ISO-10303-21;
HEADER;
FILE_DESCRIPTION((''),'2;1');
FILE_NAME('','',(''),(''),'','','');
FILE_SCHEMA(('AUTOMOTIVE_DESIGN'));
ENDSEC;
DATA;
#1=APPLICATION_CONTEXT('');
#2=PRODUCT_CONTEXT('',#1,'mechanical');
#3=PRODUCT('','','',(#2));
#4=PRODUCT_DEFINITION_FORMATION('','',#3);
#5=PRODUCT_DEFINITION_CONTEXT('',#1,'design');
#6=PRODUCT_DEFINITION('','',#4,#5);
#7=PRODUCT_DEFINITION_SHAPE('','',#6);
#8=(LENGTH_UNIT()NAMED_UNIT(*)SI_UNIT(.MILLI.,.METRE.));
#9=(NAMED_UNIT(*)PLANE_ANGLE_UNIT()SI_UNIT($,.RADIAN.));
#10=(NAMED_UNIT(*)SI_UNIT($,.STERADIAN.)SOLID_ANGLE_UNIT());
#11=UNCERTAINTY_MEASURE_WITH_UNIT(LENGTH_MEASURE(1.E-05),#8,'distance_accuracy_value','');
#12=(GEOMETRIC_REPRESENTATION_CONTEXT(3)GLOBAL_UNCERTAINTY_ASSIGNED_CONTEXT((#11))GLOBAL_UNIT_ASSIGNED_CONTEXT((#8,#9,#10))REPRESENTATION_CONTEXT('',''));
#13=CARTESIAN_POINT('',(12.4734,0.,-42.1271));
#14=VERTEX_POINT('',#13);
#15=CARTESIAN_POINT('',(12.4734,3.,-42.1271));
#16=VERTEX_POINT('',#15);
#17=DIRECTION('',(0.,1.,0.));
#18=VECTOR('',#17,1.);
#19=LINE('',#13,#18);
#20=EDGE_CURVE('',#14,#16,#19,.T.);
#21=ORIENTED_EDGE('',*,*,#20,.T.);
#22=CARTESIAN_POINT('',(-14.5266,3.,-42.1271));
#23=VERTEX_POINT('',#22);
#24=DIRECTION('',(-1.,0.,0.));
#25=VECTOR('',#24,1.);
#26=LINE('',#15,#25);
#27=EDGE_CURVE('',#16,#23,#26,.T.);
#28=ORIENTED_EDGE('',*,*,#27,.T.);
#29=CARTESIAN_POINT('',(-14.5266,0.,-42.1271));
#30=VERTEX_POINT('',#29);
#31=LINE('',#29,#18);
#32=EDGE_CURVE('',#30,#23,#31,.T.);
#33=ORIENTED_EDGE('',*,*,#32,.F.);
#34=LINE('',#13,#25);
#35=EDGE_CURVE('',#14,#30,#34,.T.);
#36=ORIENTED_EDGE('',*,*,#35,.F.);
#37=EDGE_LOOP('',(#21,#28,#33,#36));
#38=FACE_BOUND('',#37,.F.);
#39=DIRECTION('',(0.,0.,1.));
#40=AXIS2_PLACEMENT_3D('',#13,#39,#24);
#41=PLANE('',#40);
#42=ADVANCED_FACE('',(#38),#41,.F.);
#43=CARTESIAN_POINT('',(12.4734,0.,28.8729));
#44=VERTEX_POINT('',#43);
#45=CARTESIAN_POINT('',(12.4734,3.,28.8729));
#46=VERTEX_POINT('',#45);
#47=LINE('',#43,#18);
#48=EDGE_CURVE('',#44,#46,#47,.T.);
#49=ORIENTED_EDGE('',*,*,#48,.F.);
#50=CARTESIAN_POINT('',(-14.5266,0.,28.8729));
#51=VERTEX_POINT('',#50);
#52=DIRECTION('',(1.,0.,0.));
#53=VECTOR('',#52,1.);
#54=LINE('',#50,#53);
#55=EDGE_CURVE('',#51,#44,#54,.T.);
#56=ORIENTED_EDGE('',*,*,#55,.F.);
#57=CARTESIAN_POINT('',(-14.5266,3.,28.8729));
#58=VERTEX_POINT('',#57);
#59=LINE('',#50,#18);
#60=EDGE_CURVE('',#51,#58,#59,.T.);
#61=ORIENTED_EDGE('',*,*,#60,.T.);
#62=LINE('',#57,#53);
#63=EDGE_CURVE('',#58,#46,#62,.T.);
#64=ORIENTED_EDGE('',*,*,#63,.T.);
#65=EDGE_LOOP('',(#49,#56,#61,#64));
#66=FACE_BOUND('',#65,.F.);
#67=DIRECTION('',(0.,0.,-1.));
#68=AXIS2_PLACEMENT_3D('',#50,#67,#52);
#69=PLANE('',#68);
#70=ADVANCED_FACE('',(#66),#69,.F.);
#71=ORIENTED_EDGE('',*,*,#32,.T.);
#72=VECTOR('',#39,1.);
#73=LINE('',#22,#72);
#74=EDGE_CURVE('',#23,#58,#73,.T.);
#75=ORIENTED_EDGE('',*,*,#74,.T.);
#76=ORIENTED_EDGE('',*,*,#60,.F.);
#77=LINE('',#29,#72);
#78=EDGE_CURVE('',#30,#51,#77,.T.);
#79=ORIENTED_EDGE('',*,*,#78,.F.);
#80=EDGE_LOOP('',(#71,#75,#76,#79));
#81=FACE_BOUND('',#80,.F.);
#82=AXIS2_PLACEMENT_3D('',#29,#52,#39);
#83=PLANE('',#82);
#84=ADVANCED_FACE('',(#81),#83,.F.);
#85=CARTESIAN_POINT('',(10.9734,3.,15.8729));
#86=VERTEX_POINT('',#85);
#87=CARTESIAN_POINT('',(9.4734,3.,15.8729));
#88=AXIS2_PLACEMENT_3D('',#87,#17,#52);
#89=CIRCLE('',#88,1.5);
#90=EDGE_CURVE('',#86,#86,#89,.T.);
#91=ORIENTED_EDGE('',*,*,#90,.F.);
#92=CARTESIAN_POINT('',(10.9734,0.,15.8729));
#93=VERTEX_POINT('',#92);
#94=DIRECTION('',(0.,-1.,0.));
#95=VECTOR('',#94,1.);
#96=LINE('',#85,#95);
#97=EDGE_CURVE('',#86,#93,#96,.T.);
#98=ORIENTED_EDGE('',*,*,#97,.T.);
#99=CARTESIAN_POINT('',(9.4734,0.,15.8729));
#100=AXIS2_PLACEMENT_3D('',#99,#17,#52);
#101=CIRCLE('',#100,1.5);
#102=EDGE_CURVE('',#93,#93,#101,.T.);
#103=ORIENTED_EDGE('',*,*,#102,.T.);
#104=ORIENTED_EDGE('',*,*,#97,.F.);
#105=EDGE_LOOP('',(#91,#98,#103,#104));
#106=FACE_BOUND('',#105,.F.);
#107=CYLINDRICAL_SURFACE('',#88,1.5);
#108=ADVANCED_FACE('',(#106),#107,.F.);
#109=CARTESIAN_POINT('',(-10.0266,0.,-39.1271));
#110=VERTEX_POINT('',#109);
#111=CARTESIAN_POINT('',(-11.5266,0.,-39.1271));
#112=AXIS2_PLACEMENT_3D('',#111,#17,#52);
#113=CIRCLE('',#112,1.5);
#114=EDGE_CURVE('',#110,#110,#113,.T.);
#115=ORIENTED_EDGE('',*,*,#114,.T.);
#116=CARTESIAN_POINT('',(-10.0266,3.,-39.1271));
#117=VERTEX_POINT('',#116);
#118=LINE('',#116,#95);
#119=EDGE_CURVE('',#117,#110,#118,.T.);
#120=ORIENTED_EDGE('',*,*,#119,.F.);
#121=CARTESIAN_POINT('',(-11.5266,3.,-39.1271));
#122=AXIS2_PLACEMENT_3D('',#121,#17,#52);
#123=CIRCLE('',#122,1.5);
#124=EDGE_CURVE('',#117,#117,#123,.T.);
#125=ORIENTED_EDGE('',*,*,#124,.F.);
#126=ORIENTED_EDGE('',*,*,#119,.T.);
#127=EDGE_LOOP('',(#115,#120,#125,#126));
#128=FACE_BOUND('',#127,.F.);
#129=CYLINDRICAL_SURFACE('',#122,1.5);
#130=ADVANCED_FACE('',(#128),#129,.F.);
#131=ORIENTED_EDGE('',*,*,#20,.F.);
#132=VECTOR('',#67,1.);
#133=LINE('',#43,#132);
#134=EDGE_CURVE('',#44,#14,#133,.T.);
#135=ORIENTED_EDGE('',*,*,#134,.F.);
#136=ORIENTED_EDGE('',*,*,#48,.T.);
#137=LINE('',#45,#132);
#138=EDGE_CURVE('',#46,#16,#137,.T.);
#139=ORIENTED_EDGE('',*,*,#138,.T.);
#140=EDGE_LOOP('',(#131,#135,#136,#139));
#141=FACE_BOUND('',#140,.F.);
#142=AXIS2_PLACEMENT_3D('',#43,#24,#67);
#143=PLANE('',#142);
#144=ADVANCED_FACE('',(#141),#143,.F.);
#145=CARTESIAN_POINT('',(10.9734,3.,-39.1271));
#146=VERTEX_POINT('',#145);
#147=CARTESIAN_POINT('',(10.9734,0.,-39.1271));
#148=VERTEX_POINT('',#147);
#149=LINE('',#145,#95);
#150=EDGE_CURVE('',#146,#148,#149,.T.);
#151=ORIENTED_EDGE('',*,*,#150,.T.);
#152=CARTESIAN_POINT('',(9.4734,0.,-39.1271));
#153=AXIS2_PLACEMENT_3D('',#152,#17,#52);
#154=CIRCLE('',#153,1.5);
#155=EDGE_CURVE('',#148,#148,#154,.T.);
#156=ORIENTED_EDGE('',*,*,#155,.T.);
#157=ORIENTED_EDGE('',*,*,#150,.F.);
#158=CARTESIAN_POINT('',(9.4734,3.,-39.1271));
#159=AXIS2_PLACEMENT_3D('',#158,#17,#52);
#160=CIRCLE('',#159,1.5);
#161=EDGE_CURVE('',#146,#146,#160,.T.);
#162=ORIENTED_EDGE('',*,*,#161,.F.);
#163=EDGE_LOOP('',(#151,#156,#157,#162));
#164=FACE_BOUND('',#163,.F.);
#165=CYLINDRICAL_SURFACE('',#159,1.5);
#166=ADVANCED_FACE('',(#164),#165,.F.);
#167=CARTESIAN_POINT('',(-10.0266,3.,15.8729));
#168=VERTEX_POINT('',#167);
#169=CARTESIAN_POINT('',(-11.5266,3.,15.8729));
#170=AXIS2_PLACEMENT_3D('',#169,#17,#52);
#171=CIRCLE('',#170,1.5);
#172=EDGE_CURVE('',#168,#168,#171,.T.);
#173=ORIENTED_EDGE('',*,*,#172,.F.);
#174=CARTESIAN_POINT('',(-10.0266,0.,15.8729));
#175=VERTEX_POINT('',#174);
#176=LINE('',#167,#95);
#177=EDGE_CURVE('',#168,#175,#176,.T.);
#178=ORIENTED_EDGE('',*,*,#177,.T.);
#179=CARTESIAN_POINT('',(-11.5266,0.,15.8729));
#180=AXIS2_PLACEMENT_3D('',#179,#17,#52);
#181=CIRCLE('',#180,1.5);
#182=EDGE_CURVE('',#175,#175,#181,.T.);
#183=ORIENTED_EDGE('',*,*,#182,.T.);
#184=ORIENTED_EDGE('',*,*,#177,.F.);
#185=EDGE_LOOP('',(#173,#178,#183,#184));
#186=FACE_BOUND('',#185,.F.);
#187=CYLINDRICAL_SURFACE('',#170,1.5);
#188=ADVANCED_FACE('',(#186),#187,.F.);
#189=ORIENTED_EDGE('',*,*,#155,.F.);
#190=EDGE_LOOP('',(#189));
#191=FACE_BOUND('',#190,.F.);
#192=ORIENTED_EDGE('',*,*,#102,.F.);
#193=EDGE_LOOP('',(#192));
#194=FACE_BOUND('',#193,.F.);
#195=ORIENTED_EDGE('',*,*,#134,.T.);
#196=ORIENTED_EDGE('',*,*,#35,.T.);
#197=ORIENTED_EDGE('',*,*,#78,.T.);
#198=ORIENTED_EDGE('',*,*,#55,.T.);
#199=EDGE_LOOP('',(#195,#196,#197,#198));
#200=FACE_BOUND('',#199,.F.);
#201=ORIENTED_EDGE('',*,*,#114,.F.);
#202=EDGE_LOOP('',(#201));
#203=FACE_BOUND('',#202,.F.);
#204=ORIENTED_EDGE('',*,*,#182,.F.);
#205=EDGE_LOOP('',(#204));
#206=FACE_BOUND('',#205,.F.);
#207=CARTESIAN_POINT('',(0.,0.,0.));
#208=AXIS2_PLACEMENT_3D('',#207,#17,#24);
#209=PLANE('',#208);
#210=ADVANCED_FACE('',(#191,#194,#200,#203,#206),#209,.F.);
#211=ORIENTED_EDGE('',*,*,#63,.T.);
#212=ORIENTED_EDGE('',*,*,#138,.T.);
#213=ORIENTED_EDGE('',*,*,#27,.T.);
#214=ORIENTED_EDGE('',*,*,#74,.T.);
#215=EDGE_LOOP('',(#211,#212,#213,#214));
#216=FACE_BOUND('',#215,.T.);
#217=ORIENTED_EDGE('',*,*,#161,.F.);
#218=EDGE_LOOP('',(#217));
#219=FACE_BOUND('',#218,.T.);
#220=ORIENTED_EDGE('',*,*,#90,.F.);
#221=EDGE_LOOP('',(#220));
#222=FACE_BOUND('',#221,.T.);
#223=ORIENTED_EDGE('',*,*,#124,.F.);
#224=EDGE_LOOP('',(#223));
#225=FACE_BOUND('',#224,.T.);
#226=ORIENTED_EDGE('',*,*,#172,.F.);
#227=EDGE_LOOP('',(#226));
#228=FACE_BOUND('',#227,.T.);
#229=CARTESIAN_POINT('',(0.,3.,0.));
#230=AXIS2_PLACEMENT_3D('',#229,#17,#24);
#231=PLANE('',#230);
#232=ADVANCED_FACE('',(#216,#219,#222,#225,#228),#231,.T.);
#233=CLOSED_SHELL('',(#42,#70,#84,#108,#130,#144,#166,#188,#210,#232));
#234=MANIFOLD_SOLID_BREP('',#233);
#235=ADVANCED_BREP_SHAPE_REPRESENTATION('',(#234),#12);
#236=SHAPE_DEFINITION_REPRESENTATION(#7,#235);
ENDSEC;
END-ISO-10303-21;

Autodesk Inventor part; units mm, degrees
ref_plane "YZ Plane" through (0, 0, 0) normal (1, 0, 0) x (0, 1, 0)
ref_plane "XZ Plane" through (0, 0, 0) normal (0, 1, 0) x (-1, 0, 0)
ref_plane "XY Plane" through (0, 0, 0) normal (0, 0, 1) x (1, 0, 0)
sketch "Sketch1" plane through (0, 0, 0) normal (0, 1, 0) x (-1, 0, 0)
  line L0 (14.5266, 28.8729) -> (-12.4734, 28.8729)
  line L1 (-12.4734, 28.8729) -> (-12.4734, -42.1271)
  line L2 (-12.4734, -42.1271) -> (14.5266, -42.1271)
  line L3 (14.5266, -42.1271) -> (14.5266, 28.8729)
  point P0 (0, 0)
  dimension "d0" = 71
  dimension "d1" = 27
extrude "Extrusion1" add sketch "Sketch1" along normal blind 3
sketch "Sketch2" plane through (0, 3, 0) normal (0, 1, 0) x (1, 0, 0)
  circle A0 centre (-11.5266, -15.8729) radius 1.5
  line L0 (-14.5266, -28.8729) -> (12.4734, -28.8729) projected
  line L1 (-14.5266, 42.1271) -> (-14.5266, -28.8729) projected
  circle A1 centre (-11.5266, 39.1271) radius 1.5
  circle A2 centre (9.4734, -15.8729) radius 1.5
  circle A3 centre (9.4734, 39.1271) radius 1.5
  point P0 (0, 0)
  dimension "d4" = 3
  dimension "d5" = 3
  dimension "d6" = 13
  dimension "d9" = 55
  dimension "d12" = 21
extrude "Extrusion2" cut sketch "Sketch2" against normal through all
properties part number "k2_t2_base"
